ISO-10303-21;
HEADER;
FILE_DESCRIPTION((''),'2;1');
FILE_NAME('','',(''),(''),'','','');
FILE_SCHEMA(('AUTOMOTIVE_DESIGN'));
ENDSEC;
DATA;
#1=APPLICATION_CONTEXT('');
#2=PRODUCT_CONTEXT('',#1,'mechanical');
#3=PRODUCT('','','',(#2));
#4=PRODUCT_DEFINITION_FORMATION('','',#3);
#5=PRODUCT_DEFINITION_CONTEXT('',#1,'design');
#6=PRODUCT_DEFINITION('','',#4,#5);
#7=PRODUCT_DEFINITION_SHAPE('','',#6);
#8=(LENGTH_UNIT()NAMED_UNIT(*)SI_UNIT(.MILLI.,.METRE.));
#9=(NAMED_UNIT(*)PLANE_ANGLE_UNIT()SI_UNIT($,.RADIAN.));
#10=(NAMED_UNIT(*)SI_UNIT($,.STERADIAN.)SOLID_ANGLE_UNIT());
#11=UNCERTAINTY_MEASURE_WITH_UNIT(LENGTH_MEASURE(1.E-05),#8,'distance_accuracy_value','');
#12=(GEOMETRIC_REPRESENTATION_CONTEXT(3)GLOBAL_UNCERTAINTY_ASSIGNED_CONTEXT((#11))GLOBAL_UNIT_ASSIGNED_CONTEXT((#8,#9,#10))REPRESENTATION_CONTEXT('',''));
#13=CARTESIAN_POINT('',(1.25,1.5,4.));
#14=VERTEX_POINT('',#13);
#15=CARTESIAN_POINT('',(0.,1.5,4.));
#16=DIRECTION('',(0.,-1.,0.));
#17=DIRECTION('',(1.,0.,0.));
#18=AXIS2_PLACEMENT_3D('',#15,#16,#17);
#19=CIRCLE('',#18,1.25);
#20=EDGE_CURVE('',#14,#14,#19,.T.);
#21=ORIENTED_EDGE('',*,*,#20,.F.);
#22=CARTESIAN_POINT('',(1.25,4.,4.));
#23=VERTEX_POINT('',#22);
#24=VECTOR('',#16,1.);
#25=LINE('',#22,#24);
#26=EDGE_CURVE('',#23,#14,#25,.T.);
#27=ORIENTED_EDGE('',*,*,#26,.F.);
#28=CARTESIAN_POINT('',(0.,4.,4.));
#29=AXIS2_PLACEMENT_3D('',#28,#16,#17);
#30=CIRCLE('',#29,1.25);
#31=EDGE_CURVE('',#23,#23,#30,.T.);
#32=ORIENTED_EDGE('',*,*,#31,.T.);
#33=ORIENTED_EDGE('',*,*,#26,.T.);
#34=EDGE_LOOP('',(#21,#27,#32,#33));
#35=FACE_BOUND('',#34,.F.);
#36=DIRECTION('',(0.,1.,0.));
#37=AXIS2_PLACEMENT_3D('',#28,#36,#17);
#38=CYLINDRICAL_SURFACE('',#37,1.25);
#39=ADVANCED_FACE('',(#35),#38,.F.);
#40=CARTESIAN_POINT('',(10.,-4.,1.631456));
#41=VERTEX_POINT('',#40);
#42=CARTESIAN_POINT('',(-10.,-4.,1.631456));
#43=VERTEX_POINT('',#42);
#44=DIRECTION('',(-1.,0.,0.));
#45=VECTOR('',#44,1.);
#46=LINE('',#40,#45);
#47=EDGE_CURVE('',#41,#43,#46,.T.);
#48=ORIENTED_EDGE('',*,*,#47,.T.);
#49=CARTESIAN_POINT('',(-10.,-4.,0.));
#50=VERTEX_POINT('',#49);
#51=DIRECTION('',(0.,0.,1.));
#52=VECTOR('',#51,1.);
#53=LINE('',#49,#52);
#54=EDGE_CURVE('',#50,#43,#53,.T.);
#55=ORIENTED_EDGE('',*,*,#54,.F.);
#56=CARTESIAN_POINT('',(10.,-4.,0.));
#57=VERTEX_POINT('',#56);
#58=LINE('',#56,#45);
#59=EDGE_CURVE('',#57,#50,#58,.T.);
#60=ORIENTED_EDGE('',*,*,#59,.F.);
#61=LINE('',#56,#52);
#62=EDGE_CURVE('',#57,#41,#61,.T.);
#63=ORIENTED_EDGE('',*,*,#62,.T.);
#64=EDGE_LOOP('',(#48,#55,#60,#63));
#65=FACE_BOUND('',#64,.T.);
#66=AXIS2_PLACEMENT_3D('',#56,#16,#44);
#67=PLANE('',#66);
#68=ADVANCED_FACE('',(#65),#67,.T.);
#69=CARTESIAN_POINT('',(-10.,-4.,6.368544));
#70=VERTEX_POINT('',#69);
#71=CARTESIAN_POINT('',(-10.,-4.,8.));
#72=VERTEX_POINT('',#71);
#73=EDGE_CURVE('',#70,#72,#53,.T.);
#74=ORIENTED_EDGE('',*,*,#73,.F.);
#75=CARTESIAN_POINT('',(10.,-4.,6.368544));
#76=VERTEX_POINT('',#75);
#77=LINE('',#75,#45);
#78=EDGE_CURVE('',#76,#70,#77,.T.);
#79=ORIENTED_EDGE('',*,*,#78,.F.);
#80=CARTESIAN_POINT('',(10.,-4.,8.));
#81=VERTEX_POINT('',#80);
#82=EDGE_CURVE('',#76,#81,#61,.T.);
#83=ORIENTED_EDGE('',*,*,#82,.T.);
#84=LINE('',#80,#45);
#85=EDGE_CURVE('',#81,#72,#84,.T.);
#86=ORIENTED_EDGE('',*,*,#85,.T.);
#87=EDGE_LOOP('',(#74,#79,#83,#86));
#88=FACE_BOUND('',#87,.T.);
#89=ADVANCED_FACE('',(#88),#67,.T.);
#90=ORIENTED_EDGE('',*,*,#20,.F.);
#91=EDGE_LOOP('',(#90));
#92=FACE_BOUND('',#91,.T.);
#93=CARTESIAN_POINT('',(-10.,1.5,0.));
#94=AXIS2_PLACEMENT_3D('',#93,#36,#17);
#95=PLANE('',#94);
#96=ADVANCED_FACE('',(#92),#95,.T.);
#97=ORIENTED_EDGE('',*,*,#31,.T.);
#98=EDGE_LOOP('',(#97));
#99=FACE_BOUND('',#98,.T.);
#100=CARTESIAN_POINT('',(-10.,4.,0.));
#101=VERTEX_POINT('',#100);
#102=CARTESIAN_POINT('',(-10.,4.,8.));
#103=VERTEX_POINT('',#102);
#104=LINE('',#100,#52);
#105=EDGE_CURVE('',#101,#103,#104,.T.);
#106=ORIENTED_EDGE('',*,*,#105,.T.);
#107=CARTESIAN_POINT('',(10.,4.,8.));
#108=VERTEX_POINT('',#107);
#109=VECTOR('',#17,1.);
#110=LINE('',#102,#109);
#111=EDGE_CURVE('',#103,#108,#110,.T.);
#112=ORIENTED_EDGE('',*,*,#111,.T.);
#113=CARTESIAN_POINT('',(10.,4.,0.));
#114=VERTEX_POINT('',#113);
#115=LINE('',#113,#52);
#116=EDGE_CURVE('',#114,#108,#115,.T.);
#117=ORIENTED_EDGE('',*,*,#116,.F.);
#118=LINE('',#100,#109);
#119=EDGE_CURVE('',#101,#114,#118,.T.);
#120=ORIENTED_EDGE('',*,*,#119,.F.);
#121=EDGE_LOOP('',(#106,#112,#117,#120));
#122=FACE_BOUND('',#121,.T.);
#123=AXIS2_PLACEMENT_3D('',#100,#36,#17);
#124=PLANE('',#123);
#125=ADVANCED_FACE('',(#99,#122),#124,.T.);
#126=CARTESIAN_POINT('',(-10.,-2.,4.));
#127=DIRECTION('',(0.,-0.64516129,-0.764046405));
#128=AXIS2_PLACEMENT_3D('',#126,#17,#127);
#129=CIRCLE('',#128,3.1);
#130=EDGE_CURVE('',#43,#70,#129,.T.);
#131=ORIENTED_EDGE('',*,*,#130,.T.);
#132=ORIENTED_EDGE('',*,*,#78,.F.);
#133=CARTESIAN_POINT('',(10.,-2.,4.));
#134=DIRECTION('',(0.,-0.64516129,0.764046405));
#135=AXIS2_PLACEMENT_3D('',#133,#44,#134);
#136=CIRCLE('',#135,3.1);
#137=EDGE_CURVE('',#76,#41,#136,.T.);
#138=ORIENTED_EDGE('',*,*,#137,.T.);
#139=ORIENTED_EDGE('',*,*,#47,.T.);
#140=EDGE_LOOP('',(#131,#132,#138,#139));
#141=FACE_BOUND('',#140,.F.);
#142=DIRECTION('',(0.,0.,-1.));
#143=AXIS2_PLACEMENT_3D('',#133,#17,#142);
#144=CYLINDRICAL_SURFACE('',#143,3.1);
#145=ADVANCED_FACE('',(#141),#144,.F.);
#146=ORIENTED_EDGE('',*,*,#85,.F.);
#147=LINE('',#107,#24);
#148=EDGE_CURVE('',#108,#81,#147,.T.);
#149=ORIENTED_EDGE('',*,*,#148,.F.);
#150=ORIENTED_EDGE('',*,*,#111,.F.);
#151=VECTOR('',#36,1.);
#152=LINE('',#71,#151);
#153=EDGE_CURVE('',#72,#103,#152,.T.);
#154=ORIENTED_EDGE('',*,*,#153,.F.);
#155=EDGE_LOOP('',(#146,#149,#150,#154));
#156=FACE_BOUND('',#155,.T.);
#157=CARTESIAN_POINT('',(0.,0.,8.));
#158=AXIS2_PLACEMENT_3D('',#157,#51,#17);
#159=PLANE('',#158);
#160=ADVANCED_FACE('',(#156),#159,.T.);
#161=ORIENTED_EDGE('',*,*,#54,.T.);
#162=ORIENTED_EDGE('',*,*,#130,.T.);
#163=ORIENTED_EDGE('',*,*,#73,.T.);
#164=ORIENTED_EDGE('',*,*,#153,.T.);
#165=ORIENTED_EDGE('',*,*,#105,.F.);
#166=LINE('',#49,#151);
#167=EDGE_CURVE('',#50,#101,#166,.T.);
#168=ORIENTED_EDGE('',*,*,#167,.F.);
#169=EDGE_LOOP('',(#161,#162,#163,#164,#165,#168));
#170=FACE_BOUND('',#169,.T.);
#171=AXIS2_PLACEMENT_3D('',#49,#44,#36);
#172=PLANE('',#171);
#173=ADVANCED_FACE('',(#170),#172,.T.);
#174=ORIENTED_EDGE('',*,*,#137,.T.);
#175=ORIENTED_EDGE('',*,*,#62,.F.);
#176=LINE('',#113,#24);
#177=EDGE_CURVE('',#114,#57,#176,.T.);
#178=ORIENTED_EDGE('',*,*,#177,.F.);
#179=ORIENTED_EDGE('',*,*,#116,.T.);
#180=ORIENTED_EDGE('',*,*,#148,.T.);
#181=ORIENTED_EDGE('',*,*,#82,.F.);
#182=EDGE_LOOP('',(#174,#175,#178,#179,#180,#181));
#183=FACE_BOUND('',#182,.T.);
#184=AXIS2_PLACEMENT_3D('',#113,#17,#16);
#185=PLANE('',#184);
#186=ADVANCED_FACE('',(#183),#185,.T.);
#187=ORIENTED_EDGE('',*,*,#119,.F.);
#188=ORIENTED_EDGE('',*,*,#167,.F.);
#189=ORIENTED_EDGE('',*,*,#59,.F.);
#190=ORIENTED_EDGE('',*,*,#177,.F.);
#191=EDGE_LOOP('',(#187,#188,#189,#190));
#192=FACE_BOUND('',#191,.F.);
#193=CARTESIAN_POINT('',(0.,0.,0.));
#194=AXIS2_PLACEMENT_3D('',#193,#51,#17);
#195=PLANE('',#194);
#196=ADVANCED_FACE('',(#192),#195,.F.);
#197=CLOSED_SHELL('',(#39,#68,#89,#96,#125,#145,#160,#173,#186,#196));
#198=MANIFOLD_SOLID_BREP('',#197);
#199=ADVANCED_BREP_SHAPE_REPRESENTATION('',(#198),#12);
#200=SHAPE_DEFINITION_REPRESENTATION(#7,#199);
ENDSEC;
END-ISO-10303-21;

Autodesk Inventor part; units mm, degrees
ref_plane "YZ Plane" through (0, 0, 0) normal (1, 0, 0) x (0, 1, 0)
ref_plane "XZ Plane" through (0, 0, 0) normal (0, 1, 0) x (-1, 0, 0)
ref_plane "XY Plane" through (0, 0, 0) normal (0, 0, 1) x (1, 0, 0)
sketch "Sketch1" plane through (0, 0, 0) normal (0, 0, 1) x (1, 0, 0)
  line L0 (-10, 4) -> (10, 4)
  line L1 (10, 4) -> (10, -4)
  line L2 (10, -4) -> (-10, -4)
  line L3 (-10, -4) -> (-10, 4)
  line L4 (-10, 4) -> (10, -4) construction
  line L5 (10, 4) -> (-10, -4) construction
  point P0 (0, 0)
  dimension "d0" = 20
  dimension "d1" = 8
extrude "Extrusion1" add sketch "Sketch1" along normal blind 8
sketch "Sketch2" plane through (10, -4, 0) normal (1, 0, 0) x (0, 0, -1)
  line L0 (0, 0) -> (-8, 0) projected
  line L1 (-4, 0) -> (-4, 2)
  circle A0 centre (-4, 2) radius 3.1
  point P0 (0, 4)
  point P1 (-1.6315, 0)
  point P2 (-6.3685, 0)
  dimension "d4" = 2
  dimension "d5" = 6.2
extrude "Extrusion2" cut sketch "Sketch2" against normal blind 20 contours L0 A0 picked at (-3.9802, 3.385)
sketch "Sketch3" plane through (-10, 4, 0) normal (0, 1, 0) x (1, 0, 0)
  line L0 (0, 0) -> (0, -8) projected
  line L1 (0, -4) -> (10, -4)
  circle A0 centre (10, -4) radius 1.25
  point P0 (10, 0)
  dimension "d8" = 2.5
extrude "Extrusion3" cut sketch "Sketch3" against normal blind 2.5
properties part number "magnet dims"
